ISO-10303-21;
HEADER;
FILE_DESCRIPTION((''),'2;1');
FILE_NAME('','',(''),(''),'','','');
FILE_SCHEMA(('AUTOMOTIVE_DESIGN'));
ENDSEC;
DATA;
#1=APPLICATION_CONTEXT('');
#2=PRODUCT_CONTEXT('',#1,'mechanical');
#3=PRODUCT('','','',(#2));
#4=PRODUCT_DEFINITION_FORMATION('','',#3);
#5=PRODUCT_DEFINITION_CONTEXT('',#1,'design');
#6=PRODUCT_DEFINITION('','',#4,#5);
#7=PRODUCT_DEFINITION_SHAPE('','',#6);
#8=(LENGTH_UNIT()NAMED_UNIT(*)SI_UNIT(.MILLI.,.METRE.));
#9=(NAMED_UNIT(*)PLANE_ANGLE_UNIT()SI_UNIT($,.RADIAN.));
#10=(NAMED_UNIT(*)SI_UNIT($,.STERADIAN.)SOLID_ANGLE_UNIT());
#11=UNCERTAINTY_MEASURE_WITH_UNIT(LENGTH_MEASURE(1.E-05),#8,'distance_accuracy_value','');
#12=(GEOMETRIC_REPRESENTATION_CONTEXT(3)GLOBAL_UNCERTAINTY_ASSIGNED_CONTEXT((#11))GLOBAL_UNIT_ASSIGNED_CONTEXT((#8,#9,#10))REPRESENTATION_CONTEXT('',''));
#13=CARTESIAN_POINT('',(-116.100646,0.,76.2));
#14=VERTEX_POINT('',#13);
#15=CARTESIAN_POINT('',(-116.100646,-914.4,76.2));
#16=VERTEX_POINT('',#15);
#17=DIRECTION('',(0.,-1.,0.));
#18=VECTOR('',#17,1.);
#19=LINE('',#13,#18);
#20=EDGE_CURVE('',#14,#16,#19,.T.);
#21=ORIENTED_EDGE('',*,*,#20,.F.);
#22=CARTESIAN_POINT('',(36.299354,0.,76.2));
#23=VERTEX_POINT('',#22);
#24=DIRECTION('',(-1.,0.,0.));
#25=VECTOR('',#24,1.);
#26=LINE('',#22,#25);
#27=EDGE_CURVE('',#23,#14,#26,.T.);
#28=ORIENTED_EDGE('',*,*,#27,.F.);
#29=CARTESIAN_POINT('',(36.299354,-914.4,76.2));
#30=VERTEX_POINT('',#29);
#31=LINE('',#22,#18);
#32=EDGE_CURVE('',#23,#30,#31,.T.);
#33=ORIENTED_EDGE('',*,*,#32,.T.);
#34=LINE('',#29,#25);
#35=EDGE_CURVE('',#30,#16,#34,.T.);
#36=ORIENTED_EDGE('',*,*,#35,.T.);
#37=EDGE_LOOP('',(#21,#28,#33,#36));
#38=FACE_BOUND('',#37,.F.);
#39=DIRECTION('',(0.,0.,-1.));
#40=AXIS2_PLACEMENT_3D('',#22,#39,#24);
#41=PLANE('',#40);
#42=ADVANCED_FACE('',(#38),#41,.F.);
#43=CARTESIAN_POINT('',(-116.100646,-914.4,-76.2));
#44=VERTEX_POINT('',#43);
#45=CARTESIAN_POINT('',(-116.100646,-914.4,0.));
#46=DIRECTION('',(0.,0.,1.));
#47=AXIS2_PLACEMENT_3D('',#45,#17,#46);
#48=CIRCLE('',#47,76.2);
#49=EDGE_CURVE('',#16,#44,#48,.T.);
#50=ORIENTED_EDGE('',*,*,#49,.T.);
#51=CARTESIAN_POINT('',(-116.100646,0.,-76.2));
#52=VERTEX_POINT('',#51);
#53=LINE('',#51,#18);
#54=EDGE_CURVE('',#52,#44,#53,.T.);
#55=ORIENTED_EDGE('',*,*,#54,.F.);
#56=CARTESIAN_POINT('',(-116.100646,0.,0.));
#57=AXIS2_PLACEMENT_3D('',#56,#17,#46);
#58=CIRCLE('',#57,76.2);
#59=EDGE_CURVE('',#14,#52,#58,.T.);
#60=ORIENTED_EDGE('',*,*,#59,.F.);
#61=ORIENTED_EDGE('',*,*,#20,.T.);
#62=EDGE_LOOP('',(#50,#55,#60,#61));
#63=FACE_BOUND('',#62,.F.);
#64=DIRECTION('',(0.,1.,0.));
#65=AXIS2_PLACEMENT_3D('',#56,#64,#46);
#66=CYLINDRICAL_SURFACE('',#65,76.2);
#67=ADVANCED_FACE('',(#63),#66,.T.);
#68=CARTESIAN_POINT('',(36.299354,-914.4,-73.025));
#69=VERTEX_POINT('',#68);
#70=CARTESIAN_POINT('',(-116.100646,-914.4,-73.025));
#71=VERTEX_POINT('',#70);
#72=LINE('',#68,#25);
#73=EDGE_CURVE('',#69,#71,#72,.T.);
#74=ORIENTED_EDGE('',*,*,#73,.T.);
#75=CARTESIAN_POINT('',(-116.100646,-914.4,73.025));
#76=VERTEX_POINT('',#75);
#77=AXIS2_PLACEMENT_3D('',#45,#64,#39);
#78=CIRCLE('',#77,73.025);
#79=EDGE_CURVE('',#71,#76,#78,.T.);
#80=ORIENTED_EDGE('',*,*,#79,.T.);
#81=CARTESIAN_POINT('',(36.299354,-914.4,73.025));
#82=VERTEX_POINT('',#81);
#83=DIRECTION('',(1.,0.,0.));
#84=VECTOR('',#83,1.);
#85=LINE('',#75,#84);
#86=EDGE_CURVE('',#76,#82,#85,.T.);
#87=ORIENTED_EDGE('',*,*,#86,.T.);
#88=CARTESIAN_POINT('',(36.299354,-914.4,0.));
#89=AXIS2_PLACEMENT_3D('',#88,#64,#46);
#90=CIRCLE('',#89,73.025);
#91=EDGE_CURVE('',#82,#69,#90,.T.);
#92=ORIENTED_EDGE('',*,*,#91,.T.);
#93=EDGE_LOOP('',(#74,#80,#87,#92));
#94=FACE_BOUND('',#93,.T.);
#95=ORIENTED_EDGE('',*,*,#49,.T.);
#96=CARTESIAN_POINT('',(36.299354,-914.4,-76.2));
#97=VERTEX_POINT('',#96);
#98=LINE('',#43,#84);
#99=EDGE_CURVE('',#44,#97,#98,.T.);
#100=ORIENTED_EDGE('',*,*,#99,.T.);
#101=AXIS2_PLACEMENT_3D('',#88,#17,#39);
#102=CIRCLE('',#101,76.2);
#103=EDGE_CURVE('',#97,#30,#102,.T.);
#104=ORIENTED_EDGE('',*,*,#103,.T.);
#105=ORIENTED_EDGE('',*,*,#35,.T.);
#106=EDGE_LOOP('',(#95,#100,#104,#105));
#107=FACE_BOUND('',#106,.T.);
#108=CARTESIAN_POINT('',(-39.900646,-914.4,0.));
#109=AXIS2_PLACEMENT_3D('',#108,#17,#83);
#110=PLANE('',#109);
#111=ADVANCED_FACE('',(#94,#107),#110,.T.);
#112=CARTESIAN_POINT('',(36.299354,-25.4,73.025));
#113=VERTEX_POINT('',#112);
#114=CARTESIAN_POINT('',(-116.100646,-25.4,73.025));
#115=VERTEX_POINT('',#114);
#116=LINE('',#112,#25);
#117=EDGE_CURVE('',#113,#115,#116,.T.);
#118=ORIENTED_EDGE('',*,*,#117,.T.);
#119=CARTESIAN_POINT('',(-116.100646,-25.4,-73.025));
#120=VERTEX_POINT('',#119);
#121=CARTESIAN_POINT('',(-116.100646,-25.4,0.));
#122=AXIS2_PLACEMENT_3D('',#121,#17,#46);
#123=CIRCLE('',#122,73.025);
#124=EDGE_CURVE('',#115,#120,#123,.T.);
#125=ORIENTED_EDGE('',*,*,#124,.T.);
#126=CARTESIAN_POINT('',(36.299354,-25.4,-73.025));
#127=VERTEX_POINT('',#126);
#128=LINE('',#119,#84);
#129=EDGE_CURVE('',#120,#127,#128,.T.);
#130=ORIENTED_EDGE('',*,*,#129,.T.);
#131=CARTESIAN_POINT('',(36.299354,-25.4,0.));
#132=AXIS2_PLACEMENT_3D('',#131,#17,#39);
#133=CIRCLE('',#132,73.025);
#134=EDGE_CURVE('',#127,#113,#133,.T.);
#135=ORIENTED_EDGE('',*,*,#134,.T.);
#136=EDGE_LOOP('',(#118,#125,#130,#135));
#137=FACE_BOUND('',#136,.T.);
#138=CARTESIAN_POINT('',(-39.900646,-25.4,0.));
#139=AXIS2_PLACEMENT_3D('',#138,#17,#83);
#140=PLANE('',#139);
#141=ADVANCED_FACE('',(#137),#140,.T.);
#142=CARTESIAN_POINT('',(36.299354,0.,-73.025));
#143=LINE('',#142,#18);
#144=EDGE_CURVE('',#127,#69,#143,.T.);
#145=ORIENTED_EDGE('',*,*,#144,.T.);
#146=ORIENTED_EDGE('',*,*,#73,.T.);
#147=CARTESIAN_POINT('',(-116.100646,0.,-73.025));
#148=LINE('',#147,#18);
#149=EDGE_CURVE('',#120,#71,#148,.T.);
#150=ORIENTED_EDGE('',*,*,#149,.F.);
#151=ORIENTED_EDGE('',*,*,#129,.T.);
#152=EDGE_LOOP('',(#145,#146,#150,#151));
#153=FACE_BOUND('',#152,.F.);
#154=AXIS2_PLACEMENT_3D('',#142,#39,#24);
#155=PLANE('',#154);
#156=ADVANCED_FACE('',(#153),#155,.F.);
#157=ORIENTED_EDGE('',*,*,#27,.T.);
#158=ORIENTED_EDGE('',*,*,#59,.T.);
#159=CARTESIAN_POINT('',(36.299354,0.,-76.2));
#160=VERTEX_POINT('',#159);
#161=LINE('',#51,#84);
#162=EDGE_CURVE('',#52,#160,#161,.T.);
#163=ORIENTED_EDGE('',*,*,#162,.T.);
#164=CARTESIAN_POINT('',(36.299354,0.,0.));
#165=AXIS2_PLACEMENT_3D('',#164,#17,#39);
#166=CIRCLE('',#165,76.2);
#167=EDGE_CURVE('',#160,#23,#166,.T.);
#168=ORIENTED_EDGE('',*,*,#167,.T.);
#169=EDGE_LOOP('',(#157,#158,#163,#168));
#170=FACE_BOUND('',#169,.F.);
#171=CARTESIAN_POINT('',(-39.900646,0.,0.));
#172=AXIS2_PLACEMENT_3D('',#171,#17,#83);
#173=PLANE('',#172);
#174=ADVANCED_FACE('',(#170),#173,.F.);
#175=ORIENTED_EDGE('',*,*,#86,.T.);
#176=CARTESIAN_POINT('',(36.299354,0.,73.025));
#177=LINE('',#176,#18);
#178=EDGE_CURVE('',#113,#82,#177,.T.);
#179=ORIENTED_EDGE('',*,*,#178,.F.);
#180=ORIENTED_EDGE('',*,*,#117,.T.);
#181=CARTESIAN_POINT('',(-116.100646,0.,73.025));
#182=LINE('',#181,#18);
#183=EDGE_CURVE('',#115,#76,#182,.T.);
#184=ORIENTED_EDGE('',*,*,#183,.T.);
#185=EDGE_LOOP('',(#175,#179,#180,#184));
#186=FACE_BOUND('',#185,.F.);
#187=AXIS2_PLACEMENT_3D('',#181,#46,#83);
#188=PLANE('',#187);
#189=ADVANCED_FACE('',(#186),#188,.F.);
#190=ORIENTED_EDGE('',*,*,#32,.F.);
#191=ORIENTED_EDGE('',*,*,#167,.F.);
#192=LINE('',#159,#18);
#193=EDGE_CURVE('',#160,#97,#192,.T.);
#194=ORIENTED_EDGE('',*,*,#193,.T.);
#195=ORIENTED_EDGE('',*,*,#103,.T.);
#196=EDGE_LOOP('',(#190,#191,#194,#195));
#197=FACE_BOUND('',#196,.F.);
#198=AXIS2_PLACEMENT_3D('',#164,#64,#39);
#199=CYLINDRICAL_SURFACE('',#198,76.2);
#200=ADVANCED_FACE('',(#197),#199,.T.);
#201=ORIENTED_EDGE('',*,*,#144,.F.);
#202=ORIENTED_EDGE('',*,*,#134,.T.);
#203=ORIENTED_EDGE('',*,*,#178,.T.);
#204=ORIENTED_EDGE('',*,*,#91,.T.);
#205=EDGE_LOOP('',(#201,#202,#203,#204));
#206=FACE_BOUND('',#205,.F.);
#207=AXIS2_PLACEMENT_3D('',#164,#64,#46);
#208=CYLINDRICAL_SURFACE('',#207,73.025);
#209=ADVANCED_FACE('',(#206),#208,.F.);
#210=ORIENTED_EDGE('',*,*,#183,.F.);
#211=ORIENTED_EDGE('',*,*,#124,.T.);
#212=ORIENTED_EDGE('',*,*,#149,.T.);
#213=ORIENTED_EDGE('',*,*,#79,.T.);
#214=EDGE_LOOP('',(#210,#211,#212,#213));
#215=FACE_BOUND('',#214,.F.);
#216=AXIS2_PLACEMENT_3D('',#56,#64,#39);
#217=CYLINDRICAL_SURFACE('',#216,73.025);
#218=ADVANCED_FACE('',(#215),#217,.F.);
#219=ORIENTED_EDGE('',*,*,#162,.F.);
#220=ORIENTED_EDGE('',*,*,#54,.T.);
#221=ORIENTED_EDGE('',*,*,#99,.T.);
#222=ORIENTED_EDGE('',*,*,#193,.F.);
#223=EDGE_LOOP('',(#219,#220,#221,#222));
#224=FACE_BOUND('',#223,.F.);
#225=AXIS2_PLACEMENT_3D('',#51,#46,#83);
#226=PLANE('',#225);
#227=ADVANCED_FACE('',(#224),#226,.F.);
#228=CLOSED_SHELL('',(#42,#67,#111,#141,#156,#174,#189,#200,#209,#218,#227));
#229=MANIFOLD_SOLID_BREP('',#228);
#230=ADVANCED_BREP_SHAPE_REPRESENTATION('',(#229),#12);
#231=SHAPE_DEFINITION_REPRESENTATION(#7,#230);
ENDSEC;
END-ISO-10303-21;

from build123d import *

# Parameters (mm, degrees)
F1_DEPTH = 914.4
F2_DEPTH = 25.4


with BuildPart() as f1:
    # F0 (on Front) → F1 (new body)
    with BuildSketch(Plane.XZ):
        with BuildLine():
            Line((36.2993537875, 76.2), (-116.1006462125, 76.2))
            ThreePointArc((-116.1006462125, 76.2), (-192.3006462125, 0), (-116.1006462125, -76.2))
            Line((-116.1006462125, -76.2), (36.2993537875, -76.2))
            ThreePointArc((36.2993537875, -76.2), (112.4993537875, 0), (36.2993537875, 76.2))
        make_face()
        with BuildLine():
            ThreePointArc((-116.1006462125, -73.025), (-189.1256462125, 0), (-116.1006462125, 73.025))
            Line((-116.1006462125, 73.025), (36.2993537875, 73.025))
            ThreePointArc((36.2993537875, 73.025), (109.3243537875, 0), (36.2993537875, -73.025))
            Line((36.2993537875, -73.025), (-116.1006462125, -73.025))
        make_face(mode=Mode.SUBTRACT)
    extrude(amount=F1_DEPTH)

    # F0 (on Front) → F2 (join)
    with BuildSketch(Plane.XZ):
        with BuildLine():
            Line((36.2993537875, 73.025), (-116.1006462125, 73.025))
            ThreePointArc((-116.1006462125, 73.025), (-189.1256462125, 0), (-116.1006462125, -73.025))
            Line((-116.1006462125, -73.025), (36.2993537875, -73.025))
            ThreePointArc((36.2993537875, -73.025), (109.3243537875, 0), (36.2993537875, 73.025))
        make_face()
    extrude(amount=F2_DEPTH)


solid = f1.part
